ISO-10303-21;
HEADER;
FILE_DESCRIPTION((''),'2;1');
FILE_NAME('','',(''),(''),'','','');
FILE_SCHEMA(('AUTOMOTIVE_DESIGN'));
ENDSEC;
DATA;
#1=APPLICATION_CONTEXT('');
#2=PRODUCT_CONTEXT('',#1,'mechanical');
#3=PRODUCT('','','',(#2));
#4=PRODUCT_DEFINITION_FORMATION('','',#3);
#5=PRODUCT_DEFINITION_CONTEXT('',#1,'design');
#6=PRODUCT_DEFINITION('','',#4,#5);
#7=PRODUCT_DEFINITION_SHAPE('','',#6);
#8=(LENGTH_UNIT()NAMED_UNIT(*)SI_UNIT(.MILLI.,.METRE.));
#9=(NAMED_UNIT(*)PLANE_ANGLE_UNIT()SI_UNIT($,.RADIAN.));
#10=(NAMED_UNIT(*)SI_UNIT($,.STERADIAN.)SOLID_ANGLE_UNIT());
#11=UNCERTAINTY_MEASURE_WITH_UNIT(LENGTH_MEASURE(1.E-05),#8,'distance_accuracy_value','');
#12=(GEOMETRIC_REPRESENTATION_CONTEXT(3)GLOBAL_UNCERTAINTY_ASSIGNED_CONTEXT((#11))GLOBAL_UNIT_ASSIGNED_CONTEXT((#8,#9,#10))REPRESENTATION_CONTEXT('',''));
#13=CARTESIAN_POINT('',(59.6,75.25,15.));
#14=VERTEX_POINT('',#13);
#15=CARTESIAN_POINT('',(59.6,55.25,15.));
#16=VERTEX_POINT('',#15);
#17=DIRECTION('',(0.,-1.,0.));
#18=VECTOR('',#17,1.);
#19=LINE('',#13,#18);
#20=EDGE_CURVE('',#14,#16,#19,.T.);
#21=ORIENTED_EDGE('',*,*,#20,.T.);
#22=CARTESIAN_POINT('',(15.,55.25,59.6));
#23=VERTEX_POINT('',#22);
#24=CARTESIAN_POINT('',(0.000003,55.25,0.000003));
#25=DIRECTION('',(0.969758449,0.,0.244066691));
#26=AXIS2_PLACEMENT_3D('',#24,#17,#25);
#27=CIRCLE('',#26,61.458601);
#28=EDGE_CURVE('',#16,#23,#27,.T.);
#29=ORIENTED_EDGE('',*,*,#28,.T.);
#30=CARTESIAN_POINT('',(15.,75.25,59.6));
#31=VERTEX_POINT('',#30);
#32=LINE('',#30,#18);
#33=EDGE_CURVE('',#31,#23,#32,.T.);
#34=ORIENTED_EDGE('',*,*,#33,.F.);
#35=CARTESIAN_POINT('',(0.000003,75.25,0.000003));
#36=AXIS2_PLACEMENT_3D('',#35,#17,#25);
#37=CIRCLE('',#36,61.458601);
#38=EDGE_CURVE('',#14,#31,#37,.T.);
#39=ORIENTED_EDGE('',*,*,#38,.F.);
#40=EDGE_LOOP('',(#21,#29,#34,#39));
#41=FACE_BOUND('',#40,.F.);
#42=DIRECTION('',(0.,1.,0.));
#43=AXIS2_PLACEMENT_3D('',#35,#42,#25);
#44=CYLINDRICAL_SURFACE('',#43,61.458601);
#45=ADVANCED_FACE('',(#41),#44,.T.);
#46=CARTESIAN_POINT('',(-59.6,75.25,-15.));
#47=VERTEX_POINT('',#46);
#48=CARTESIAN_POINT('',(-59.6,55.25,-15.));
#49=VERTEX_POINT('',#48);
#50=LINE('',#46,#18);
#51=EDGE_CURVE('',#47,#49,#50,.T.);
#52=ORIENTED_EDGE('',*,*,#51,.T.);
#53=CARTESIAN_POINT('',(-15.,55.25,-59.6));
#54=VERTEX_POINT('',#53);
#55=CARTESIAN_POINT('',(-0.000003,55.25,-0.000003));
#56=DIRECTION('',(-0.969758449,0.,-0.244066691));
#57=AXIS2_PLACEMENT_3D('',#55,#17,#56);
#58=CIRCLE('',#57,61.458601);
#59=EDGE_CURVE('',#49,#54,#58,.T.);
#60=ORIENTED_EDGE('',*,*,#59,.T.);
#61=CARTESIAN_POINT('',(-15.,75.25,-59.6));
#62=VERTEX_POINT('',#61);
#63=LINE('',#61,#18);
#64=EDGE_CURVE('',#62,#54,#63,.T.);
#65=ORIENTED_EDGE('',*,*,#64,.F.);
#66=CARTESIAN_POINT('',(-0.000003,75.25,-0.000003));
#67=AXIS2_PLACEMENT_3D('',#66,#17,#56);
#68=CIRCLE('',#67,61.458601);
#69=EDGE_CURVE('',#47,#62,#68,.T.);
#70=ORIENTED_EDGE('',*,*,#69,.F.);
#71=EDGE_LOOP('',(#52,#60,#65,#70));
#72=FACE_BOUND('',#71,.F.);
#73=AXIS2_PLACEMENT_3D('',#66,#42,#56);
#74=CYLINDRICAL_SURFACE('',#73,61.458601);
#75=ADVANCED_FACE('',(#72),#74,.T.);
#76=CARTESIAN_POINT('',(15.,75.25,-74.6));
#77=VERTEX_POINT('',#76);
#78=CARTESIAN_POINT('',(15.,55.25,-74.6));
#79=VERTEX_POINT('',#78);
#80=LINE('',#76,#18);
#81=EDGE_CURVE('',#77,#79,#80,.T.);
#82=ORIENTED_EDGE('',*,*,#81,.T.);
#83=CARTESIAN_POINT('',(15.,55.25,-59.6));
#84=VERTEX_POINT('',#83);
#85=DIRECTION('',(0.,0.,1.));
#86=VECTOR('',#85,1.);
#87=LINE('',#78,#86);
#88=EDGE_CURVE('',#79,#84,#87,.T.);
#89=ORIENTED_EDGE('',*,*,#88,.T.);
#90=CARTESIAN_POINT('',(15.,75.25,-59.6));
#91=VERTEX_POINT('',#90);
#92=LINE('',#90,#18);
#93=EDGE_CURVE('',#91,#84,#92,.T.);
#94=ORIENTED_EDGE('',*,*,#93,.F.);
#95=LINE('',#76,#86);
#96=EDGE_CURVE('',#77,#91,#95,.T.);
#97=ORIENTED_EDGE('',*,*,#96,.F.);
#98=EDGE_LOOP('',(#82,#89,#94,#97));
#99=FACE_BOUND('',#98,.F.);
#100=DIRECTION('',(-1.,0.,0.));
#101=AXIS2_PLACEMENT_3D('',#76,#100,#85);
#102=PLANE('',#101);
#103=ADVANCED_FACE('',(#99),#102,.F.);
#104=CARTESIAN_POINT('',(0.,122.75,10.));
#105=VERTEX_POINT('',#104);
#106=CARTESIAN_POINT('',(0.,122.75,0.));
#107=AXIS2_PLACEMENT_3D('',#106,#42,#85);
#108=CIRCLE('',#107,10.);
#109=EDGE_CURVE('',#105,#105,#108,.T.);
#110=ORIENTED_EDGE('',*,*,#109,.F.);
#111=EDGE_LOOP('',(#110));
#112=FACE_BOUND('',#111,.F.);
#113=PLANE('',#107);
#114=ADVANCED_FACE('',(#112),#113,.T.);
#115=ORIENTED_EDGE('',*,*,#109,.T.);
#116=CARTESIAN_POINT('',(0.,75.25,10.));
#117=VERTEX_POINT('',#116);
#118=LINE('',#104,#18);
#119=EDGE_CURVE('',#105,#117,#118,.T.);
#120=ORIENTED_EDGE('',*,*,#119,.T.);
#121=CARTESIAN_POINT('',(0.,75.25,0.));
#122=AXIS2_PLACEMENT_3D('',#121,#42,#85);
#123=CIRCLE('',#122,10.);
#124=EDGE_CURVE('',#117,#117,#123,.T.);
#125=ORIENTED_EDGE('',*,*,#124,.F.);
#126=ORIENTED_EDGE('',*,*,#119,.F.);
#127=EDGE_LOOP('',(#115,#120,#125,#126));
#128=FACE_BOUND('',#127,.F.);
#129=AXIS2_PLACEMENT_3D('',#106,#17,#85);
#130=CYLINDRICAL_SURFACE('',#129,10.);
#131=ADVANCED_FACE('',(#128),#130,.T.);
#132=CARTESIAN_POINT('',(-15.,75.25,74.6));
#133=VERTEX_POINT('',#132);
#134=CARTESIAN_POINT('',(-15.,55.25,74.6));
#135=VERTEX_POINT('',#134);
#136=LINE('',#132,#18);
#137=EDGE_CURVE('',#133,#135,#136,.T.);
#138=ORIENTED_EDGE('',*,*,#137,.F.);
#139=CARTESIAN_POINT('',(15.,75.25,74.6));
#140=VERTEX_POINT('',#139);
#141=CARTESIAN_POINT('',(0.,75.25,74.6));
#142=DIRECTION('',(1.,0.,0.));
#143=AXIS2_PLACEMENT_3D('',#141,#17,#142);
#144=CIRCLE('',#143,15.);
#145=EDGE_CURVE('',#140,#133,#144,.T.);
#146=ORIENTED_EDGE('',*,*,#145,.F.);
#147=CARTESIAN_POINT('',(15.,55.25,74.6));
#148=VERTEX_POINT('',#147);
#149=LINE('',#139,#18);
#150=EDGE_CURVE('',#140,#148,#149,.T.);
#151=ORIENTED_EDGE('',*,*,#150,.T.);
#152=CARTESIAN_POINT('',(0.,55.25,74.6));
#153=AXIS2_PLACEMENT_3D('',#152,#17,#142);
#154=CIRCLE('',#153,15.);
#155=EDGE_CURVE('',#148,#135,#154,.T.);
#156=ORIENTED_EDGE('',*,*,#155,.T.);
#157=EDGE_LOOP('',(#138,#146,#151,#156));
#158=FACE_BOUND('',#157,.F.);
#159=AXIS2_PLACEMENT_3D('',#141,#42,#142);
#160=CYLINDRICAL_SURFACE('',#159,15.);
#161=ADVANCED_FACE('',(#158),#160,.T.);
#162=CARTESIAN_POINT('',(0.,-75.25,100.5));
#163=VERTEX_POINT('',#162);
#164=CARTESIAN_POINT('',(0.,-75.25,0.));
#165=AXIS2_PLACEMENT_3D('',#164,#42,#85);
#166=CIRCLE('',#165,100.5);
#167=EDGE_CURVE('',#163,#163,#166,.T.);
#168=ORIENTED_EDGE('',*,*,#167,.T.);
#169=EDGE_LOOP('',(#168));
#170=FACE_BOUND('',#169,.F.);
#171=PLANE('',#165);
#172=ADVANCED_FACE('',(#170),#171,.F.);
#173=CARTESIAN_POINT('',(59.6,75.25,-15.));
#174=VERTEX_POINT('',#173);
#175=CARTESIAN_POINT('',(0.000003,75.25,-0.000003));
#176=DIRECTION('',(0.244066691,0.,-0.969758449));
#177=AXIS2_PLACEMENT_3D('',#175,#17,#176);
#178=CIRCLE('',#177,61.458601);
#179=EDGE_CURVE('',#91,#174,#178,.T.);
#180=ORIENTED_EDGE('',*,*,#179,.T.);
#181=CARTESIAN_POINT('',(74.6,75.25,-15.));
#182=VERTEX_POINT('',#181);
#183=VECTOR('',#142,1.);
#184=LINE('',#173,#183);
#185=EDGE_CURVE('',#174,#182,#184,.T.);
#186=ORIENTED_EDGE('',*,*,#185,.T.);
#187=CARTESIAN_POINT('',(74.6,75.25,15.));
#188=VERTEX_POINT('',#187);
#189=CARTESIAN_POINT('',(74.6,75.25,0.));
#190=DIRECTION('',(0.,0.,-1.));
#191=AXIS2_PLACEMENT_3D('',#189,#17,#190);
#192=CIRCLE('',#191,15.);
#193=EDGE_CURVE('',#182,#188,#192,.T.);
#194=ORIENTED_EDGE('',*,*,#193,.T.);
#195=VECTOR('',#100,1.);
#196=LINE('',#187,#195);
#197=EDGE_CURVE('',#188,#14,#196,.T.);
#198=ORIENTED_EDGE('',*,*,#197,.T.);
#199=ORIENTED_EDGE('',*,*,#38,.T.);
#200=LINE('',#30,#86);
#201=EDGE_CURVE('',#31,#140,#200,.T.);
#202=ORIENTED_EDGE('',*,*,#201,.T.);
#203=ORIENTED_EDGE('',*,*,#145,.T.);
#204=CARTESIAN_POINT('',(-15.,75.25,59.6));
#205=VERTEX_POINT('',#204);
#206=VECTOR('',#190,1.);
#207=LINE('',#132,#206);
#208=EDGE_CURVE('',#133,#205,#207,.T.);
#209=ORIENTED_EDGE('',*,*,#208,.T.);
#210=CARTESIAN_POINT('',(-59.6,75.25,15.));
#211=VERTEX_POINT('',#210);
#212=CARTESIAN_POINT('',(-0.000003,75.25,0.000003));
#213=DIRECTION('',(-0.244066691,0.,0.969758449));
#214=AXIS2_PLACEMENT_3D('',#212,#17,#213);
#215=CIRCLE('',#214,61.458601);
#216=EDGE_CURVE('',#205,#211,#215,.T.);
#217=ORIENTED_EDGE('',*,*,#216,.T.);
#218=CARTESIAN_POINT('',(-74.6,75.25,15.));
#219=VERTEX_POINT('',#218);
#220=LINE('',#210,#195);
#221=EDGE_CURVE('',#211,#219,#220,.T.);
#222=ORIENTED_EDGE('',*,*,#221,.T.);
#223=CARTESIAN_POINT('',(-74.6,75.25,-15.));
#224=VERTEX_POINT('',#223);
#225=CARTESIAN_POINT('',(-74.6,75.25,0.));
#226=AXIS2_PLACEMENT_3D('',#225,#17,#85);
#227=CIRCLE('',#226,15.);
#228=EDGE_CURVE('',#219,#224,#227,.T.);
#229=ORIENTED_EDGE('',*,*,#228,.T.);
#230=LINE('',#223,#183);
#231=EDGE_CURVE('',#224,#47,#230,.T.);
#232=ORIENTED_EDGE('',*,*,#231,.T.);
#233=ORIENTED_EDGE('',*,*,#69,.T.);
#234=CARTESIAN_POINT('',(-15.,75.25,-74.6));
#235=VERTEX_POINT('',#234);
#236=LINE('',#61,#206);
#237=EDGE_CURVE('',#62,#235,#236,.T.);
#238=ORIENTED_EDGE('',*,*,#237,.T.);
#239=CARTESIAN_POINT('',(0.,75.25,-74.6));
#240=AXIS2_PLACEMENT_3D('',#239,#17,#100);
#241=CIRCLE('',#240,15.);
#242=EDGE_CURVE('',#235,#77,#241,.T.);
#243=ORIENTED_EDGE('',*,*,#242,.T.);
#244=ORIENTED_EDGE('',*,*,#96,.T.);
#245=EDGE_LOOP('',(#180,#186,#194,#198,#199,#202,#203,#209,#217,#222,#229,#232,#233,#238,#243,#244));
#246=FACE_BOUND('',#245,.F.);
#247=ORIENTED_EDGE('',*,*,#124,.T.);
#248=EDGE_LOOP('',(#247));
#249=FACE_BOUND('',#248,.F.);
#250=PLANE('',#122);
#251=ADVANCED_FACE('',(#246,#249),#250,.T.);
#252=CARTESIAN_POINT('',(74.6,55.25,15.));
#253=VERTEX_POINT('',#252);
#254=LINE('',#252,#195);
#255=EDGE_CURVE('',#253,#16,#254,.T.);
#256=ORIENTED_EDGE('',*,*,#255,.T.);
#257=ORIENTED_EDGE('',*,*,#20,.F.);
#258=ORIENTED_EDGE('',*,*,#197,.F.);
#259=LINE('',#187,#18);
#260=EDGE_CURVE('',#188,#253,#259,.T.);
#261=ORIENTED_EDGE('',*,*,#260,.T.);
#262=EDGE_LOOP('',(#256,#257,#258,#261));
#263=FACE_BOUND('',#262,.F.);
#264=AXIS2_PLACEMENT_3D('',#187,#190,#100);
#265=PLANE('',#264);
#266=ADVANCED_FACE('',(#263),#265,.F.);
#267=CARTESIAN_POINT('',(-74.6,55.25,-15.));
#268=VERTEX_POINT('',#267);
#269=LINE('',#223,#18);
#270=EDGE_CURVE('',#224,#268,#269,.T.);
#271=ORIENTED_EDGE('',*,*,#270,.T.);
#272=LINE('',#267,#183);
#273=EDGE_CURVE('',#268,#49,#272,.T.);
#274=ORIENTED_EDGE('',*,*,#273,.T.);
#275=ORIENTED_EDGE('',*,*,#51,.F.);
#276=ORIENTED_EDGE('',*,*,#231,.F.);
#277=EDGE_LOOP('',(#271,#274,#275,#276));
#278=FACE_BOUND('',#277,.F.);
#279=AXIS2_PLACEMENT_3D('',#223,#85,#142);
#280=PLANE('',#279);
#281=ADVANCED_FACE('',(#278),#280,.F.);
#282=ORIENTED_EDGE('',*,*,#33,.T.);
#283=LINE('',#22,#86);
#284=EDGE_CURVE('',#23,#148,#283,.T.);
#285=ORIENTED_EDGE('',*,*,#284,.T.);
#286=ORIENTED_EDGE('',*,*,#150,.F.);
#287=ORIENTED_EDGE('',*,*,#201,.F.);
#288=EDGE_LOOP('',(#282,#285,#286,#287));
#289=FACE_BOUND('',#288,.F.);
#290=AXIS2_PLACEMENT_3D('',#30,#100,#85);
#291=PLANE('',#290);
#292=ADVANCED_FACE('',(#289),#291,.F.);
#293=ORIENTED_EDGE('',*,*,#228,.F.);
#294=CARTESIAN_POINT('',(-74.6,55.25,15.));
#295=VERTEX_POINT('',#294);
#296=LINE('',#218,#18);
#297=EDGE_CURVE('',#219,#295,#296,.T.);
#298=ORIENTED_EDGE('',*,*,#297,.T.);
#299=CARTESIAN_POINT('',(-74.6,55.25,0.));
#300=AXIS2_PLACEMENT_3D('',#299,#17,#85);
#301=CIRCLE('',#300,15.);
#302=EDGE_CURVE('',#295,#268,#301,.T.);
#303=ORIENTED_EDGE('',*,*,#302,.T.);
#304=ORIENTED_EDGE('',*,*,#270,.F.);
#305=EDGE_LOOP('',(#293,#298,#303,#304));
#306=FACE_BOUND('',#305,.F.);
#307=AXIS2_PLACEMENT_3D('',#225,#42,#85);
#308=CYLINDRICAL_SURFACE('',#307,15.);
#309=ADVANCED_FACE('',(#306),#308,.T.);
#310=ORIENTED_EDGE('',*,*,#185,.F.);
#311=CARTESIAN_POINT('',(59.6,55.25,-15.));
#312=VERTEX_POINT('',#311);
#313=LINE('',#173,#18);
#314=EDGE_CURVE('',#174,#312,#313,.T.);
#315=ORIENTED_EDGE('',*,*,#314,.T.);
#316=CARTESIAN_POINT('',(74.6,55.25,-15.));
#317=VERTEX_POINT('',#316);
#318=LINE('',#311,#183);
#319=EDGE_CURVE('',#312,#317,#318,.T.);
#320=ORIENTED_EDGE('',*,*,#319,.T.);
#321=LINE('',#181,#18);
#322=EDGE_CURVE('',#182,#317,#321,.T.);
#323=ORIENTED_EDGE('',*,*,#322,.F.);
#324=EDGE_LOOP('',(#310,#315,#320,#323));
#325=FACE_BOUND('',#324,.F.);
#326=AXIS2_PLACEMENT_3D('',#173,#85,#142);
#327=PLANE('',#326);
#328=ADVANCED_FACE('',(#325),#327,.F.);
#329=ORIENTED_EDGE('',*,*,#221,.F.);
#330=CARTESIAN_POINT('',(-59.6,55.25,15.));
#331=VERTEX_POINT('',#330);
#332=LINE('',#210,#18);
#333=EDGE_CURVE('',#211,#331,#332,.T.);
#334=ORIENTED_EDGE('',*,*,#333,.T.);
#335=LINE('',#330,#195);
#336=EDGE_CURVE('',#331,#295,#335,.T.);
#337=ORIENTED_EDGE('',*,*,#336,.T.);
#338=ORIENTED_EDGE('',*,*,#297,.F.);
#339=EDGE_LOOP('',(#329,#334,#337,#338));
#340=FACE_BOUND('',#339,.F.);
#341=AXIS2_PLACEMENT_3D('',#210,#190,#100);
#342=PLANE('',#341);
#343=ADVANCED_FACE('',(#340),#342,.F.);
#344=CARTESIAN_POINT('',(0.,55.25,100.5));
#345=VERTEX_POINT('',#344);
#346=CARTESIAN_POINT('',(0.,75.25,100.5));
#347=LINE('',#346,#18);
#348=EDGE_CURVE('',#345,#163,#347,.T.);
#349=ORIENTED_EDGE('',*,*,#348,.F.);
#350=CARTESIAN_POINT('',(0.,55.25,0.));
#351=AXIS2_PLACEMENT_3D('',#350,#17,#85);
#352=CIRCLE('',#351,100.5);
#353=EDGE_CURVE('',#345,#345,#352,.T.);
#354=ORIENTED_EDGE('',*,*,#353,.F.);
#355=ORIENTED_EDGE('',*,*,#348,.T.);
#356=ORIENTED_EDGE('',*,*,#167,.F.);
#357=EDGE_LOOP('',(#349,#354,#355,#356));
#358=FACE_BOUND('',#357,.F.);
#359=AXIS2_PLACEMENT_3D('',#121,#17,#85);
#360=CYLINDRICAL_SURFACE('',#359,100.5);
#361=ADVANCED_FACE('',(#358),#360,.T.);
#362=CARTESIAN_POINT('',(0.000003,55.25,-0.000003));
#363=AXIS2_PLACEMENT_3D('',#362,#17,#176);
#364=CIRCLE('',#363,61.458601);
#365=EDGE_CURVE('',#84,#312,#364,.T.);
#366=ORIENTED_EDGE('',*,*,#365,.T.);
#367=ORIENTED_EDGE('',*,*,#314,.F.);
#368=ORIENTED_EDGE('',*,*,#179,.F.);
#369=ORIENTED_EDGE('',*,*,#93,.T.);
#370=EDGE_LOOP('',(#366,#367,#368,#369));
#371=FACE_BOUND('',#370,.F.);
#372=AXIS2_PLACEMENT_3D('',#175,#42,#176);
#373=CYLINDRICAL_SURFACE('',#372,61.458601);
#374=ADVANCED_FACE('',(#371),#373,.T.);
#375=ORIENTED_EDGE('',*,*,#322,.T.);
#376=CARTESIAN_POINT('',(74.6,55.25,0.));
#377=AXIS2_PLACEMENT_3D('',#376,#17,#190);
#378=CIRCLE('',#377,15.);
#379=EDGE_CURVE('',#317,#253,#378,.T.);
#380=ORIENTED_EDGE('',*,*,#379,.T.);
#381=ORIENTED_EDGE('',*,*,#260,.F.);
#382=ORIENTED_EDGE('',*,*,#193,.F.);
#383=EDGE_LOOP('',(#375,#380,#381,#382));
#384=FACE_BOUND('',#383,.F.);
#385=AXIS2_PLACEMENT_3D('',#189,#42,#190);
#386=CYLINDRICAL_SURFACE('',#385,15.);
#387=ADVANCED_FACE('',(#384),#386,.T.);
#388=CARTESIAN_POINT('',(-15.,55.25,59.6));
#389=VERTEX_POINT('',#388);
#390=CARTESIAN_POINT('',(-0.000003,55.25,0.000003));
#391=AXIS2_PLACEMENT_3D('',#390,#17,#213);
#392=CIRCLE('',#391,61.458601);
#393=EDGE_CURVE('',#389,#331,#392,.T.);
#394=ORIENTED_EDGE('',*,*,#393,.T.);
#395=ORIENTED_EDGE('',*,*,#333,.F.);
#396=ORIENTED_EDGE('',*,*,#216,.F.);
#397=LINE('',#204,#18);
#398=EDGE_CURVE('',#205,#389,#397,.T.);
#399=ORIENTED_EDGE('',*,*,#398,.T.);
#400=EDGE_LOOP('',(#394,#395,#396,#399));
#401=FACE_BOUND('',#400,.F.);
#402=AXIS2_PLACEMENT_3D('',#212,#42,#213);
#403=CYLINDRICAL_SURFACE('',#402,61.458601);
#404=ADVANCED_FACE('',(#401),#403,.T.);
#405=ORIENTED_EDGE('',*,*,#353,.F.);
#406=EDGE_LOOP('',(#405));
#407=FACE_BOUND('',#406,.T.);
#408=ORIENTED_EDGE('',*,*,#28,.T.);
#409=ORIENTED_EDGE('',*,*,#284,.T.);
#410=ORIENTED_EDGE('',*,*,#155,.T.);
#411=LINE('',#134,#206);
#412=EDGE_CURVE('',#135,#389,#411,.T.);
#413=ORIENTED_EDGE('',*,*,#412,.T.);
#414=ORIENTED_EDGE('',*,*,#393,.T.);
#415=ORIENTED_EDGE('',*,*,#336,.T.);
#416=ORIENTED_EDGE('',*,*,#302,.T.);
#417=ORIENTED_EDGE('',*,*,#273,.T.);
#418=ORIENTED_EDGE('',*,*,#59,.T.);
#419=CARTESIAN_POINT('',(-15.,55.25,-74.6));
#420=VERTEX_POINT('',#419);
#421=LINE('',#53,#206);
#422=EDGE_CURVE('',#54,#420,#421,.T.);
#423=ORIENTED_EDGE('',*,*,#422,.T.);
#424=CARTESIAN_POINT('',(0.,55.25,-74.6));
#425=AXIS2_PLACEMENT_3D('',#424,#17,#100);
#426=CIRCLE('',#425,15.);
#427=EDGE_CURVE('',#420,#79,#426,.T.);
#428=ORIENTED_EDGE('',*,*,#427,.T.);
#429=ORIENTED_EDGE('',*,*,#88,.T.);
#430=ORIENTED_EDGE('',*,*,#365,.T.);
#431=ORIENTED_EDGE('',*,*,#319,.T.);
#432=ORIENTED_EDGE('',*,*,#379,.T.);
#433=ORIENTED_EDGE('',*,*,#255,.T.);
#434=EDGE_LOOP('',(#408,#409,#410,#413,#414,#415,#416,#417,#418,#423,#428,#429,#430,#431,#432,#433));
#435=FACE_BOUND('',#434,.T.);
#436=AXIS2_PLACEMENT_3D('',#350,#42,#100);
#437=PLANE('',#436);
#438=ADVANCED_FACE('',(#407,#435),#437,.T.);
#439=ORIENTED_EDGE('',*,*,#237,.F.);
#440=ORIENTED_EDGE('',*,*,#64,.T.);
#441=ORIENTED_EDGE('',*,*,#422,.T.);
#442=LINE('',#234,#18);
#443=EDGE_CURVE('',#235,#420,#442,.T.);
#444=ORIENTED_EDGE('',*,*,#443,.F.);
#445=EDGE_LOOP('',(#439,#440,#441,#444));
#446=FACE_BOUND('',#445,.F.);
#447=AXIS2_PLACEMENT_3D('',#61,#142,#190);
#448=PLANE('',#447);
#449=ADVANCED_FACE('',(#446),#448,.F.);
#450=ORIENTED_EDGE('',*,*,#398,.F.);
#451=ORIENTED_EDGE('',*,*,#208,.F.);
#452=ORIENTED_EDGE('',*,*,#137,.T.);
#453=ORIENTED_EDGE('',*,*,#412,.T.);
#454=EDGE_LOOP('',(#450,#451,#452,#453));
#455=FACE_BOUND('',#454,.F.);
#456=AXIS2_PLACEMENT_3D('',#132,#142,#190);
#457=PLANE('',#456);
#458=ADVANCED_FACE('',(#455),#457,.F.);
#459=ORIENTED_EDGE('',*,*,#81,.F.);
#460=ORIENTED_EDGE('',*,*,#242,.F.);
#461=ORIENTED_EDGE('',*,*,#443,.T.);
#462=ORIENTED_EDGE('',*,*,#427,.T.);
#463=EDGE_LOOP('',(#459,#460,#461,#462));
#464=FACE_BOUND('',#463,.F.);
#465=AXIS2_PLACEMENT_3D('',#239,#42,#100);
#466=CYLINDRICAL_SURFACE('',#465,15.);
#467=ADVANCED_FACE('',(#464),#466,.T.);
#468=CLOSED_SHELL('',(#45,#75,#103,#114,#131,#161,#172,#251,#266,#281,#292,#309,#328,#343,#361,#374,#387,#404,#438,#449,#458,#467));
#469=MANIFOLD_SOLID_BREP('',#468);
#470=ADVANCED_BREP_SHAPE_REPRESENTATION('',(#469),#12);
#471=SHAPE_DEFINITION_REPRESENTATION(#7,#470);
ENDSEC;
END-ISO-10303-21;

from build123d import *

# Parameters (mm, degrees)
F2_R     = 115
F3_DEPTH = 20


with BuildPart() as f1:
    # F0 (on Right) → F1 (revolve)
    with BuildSketch(Plane.YZ):
        Polygon((-75.25, 100.5), (-75.25, 0), (122.75, 0), (122.75, 10), (75.25, 10), (75.25, 100.5), align=None)
    revolve(axis=Axis((0, 23.75, 0), (0, 1, 0)))

    # F2 (on face) → F3 (cut)
    with BuildSketch(Plane(origin=(0, 75.25, 0), x_dir=(-1, 0, 0), z_dir=(0, 1, 0))):
        Circle(F2_R)
        with BuildLine():
            ThreePointArc((-15, 74.6), (0, 89.6), (15, 74.6))
            Line((15, 74.6), (15, 59.6))
            ThreePointArc((15, 59.6), (43.457796, 43.457796), (59.6, 15))
            Line((59.6, 15), (74.6, 15))
            ThreePointArc((74.6, 15), (89.6, 0), (74.6, -15))
            Line((74.6, -15), (59.6, -15))
            ThreePointArc((59.6, -15), (43.457796, -43.457796), (15, -59.6))
            Line((15, -59.6), (15, -74.6))
            ThreePointArc((15, -74.6), (0, -89.6), (-15, -74.6))
            Line((-15, -74.6), (-15, -59.6))
            ThreePointArc((-15, -59.6), (-43.457796, -43.457796), (-59.6, -15))
            Line((-59.6, -15), (-74.6, -15))
            ThreePointArc((-74.6, -15), (-89.6, 0), (-74.6, 15))
            Line((-74.6, 15), (-59.6, 15))
            ThreePointArc((-59.6, 15), (-43.457796, 43.457796), (-15, 59.6))
            Line((-15, 59.6), (-15, 74.6))
        make_face(mode=Mode.SUBTRACT)
    extrude(amount=-F3_DEPTH, mode=Mode.SUBTRACT)


solid = f1.part
